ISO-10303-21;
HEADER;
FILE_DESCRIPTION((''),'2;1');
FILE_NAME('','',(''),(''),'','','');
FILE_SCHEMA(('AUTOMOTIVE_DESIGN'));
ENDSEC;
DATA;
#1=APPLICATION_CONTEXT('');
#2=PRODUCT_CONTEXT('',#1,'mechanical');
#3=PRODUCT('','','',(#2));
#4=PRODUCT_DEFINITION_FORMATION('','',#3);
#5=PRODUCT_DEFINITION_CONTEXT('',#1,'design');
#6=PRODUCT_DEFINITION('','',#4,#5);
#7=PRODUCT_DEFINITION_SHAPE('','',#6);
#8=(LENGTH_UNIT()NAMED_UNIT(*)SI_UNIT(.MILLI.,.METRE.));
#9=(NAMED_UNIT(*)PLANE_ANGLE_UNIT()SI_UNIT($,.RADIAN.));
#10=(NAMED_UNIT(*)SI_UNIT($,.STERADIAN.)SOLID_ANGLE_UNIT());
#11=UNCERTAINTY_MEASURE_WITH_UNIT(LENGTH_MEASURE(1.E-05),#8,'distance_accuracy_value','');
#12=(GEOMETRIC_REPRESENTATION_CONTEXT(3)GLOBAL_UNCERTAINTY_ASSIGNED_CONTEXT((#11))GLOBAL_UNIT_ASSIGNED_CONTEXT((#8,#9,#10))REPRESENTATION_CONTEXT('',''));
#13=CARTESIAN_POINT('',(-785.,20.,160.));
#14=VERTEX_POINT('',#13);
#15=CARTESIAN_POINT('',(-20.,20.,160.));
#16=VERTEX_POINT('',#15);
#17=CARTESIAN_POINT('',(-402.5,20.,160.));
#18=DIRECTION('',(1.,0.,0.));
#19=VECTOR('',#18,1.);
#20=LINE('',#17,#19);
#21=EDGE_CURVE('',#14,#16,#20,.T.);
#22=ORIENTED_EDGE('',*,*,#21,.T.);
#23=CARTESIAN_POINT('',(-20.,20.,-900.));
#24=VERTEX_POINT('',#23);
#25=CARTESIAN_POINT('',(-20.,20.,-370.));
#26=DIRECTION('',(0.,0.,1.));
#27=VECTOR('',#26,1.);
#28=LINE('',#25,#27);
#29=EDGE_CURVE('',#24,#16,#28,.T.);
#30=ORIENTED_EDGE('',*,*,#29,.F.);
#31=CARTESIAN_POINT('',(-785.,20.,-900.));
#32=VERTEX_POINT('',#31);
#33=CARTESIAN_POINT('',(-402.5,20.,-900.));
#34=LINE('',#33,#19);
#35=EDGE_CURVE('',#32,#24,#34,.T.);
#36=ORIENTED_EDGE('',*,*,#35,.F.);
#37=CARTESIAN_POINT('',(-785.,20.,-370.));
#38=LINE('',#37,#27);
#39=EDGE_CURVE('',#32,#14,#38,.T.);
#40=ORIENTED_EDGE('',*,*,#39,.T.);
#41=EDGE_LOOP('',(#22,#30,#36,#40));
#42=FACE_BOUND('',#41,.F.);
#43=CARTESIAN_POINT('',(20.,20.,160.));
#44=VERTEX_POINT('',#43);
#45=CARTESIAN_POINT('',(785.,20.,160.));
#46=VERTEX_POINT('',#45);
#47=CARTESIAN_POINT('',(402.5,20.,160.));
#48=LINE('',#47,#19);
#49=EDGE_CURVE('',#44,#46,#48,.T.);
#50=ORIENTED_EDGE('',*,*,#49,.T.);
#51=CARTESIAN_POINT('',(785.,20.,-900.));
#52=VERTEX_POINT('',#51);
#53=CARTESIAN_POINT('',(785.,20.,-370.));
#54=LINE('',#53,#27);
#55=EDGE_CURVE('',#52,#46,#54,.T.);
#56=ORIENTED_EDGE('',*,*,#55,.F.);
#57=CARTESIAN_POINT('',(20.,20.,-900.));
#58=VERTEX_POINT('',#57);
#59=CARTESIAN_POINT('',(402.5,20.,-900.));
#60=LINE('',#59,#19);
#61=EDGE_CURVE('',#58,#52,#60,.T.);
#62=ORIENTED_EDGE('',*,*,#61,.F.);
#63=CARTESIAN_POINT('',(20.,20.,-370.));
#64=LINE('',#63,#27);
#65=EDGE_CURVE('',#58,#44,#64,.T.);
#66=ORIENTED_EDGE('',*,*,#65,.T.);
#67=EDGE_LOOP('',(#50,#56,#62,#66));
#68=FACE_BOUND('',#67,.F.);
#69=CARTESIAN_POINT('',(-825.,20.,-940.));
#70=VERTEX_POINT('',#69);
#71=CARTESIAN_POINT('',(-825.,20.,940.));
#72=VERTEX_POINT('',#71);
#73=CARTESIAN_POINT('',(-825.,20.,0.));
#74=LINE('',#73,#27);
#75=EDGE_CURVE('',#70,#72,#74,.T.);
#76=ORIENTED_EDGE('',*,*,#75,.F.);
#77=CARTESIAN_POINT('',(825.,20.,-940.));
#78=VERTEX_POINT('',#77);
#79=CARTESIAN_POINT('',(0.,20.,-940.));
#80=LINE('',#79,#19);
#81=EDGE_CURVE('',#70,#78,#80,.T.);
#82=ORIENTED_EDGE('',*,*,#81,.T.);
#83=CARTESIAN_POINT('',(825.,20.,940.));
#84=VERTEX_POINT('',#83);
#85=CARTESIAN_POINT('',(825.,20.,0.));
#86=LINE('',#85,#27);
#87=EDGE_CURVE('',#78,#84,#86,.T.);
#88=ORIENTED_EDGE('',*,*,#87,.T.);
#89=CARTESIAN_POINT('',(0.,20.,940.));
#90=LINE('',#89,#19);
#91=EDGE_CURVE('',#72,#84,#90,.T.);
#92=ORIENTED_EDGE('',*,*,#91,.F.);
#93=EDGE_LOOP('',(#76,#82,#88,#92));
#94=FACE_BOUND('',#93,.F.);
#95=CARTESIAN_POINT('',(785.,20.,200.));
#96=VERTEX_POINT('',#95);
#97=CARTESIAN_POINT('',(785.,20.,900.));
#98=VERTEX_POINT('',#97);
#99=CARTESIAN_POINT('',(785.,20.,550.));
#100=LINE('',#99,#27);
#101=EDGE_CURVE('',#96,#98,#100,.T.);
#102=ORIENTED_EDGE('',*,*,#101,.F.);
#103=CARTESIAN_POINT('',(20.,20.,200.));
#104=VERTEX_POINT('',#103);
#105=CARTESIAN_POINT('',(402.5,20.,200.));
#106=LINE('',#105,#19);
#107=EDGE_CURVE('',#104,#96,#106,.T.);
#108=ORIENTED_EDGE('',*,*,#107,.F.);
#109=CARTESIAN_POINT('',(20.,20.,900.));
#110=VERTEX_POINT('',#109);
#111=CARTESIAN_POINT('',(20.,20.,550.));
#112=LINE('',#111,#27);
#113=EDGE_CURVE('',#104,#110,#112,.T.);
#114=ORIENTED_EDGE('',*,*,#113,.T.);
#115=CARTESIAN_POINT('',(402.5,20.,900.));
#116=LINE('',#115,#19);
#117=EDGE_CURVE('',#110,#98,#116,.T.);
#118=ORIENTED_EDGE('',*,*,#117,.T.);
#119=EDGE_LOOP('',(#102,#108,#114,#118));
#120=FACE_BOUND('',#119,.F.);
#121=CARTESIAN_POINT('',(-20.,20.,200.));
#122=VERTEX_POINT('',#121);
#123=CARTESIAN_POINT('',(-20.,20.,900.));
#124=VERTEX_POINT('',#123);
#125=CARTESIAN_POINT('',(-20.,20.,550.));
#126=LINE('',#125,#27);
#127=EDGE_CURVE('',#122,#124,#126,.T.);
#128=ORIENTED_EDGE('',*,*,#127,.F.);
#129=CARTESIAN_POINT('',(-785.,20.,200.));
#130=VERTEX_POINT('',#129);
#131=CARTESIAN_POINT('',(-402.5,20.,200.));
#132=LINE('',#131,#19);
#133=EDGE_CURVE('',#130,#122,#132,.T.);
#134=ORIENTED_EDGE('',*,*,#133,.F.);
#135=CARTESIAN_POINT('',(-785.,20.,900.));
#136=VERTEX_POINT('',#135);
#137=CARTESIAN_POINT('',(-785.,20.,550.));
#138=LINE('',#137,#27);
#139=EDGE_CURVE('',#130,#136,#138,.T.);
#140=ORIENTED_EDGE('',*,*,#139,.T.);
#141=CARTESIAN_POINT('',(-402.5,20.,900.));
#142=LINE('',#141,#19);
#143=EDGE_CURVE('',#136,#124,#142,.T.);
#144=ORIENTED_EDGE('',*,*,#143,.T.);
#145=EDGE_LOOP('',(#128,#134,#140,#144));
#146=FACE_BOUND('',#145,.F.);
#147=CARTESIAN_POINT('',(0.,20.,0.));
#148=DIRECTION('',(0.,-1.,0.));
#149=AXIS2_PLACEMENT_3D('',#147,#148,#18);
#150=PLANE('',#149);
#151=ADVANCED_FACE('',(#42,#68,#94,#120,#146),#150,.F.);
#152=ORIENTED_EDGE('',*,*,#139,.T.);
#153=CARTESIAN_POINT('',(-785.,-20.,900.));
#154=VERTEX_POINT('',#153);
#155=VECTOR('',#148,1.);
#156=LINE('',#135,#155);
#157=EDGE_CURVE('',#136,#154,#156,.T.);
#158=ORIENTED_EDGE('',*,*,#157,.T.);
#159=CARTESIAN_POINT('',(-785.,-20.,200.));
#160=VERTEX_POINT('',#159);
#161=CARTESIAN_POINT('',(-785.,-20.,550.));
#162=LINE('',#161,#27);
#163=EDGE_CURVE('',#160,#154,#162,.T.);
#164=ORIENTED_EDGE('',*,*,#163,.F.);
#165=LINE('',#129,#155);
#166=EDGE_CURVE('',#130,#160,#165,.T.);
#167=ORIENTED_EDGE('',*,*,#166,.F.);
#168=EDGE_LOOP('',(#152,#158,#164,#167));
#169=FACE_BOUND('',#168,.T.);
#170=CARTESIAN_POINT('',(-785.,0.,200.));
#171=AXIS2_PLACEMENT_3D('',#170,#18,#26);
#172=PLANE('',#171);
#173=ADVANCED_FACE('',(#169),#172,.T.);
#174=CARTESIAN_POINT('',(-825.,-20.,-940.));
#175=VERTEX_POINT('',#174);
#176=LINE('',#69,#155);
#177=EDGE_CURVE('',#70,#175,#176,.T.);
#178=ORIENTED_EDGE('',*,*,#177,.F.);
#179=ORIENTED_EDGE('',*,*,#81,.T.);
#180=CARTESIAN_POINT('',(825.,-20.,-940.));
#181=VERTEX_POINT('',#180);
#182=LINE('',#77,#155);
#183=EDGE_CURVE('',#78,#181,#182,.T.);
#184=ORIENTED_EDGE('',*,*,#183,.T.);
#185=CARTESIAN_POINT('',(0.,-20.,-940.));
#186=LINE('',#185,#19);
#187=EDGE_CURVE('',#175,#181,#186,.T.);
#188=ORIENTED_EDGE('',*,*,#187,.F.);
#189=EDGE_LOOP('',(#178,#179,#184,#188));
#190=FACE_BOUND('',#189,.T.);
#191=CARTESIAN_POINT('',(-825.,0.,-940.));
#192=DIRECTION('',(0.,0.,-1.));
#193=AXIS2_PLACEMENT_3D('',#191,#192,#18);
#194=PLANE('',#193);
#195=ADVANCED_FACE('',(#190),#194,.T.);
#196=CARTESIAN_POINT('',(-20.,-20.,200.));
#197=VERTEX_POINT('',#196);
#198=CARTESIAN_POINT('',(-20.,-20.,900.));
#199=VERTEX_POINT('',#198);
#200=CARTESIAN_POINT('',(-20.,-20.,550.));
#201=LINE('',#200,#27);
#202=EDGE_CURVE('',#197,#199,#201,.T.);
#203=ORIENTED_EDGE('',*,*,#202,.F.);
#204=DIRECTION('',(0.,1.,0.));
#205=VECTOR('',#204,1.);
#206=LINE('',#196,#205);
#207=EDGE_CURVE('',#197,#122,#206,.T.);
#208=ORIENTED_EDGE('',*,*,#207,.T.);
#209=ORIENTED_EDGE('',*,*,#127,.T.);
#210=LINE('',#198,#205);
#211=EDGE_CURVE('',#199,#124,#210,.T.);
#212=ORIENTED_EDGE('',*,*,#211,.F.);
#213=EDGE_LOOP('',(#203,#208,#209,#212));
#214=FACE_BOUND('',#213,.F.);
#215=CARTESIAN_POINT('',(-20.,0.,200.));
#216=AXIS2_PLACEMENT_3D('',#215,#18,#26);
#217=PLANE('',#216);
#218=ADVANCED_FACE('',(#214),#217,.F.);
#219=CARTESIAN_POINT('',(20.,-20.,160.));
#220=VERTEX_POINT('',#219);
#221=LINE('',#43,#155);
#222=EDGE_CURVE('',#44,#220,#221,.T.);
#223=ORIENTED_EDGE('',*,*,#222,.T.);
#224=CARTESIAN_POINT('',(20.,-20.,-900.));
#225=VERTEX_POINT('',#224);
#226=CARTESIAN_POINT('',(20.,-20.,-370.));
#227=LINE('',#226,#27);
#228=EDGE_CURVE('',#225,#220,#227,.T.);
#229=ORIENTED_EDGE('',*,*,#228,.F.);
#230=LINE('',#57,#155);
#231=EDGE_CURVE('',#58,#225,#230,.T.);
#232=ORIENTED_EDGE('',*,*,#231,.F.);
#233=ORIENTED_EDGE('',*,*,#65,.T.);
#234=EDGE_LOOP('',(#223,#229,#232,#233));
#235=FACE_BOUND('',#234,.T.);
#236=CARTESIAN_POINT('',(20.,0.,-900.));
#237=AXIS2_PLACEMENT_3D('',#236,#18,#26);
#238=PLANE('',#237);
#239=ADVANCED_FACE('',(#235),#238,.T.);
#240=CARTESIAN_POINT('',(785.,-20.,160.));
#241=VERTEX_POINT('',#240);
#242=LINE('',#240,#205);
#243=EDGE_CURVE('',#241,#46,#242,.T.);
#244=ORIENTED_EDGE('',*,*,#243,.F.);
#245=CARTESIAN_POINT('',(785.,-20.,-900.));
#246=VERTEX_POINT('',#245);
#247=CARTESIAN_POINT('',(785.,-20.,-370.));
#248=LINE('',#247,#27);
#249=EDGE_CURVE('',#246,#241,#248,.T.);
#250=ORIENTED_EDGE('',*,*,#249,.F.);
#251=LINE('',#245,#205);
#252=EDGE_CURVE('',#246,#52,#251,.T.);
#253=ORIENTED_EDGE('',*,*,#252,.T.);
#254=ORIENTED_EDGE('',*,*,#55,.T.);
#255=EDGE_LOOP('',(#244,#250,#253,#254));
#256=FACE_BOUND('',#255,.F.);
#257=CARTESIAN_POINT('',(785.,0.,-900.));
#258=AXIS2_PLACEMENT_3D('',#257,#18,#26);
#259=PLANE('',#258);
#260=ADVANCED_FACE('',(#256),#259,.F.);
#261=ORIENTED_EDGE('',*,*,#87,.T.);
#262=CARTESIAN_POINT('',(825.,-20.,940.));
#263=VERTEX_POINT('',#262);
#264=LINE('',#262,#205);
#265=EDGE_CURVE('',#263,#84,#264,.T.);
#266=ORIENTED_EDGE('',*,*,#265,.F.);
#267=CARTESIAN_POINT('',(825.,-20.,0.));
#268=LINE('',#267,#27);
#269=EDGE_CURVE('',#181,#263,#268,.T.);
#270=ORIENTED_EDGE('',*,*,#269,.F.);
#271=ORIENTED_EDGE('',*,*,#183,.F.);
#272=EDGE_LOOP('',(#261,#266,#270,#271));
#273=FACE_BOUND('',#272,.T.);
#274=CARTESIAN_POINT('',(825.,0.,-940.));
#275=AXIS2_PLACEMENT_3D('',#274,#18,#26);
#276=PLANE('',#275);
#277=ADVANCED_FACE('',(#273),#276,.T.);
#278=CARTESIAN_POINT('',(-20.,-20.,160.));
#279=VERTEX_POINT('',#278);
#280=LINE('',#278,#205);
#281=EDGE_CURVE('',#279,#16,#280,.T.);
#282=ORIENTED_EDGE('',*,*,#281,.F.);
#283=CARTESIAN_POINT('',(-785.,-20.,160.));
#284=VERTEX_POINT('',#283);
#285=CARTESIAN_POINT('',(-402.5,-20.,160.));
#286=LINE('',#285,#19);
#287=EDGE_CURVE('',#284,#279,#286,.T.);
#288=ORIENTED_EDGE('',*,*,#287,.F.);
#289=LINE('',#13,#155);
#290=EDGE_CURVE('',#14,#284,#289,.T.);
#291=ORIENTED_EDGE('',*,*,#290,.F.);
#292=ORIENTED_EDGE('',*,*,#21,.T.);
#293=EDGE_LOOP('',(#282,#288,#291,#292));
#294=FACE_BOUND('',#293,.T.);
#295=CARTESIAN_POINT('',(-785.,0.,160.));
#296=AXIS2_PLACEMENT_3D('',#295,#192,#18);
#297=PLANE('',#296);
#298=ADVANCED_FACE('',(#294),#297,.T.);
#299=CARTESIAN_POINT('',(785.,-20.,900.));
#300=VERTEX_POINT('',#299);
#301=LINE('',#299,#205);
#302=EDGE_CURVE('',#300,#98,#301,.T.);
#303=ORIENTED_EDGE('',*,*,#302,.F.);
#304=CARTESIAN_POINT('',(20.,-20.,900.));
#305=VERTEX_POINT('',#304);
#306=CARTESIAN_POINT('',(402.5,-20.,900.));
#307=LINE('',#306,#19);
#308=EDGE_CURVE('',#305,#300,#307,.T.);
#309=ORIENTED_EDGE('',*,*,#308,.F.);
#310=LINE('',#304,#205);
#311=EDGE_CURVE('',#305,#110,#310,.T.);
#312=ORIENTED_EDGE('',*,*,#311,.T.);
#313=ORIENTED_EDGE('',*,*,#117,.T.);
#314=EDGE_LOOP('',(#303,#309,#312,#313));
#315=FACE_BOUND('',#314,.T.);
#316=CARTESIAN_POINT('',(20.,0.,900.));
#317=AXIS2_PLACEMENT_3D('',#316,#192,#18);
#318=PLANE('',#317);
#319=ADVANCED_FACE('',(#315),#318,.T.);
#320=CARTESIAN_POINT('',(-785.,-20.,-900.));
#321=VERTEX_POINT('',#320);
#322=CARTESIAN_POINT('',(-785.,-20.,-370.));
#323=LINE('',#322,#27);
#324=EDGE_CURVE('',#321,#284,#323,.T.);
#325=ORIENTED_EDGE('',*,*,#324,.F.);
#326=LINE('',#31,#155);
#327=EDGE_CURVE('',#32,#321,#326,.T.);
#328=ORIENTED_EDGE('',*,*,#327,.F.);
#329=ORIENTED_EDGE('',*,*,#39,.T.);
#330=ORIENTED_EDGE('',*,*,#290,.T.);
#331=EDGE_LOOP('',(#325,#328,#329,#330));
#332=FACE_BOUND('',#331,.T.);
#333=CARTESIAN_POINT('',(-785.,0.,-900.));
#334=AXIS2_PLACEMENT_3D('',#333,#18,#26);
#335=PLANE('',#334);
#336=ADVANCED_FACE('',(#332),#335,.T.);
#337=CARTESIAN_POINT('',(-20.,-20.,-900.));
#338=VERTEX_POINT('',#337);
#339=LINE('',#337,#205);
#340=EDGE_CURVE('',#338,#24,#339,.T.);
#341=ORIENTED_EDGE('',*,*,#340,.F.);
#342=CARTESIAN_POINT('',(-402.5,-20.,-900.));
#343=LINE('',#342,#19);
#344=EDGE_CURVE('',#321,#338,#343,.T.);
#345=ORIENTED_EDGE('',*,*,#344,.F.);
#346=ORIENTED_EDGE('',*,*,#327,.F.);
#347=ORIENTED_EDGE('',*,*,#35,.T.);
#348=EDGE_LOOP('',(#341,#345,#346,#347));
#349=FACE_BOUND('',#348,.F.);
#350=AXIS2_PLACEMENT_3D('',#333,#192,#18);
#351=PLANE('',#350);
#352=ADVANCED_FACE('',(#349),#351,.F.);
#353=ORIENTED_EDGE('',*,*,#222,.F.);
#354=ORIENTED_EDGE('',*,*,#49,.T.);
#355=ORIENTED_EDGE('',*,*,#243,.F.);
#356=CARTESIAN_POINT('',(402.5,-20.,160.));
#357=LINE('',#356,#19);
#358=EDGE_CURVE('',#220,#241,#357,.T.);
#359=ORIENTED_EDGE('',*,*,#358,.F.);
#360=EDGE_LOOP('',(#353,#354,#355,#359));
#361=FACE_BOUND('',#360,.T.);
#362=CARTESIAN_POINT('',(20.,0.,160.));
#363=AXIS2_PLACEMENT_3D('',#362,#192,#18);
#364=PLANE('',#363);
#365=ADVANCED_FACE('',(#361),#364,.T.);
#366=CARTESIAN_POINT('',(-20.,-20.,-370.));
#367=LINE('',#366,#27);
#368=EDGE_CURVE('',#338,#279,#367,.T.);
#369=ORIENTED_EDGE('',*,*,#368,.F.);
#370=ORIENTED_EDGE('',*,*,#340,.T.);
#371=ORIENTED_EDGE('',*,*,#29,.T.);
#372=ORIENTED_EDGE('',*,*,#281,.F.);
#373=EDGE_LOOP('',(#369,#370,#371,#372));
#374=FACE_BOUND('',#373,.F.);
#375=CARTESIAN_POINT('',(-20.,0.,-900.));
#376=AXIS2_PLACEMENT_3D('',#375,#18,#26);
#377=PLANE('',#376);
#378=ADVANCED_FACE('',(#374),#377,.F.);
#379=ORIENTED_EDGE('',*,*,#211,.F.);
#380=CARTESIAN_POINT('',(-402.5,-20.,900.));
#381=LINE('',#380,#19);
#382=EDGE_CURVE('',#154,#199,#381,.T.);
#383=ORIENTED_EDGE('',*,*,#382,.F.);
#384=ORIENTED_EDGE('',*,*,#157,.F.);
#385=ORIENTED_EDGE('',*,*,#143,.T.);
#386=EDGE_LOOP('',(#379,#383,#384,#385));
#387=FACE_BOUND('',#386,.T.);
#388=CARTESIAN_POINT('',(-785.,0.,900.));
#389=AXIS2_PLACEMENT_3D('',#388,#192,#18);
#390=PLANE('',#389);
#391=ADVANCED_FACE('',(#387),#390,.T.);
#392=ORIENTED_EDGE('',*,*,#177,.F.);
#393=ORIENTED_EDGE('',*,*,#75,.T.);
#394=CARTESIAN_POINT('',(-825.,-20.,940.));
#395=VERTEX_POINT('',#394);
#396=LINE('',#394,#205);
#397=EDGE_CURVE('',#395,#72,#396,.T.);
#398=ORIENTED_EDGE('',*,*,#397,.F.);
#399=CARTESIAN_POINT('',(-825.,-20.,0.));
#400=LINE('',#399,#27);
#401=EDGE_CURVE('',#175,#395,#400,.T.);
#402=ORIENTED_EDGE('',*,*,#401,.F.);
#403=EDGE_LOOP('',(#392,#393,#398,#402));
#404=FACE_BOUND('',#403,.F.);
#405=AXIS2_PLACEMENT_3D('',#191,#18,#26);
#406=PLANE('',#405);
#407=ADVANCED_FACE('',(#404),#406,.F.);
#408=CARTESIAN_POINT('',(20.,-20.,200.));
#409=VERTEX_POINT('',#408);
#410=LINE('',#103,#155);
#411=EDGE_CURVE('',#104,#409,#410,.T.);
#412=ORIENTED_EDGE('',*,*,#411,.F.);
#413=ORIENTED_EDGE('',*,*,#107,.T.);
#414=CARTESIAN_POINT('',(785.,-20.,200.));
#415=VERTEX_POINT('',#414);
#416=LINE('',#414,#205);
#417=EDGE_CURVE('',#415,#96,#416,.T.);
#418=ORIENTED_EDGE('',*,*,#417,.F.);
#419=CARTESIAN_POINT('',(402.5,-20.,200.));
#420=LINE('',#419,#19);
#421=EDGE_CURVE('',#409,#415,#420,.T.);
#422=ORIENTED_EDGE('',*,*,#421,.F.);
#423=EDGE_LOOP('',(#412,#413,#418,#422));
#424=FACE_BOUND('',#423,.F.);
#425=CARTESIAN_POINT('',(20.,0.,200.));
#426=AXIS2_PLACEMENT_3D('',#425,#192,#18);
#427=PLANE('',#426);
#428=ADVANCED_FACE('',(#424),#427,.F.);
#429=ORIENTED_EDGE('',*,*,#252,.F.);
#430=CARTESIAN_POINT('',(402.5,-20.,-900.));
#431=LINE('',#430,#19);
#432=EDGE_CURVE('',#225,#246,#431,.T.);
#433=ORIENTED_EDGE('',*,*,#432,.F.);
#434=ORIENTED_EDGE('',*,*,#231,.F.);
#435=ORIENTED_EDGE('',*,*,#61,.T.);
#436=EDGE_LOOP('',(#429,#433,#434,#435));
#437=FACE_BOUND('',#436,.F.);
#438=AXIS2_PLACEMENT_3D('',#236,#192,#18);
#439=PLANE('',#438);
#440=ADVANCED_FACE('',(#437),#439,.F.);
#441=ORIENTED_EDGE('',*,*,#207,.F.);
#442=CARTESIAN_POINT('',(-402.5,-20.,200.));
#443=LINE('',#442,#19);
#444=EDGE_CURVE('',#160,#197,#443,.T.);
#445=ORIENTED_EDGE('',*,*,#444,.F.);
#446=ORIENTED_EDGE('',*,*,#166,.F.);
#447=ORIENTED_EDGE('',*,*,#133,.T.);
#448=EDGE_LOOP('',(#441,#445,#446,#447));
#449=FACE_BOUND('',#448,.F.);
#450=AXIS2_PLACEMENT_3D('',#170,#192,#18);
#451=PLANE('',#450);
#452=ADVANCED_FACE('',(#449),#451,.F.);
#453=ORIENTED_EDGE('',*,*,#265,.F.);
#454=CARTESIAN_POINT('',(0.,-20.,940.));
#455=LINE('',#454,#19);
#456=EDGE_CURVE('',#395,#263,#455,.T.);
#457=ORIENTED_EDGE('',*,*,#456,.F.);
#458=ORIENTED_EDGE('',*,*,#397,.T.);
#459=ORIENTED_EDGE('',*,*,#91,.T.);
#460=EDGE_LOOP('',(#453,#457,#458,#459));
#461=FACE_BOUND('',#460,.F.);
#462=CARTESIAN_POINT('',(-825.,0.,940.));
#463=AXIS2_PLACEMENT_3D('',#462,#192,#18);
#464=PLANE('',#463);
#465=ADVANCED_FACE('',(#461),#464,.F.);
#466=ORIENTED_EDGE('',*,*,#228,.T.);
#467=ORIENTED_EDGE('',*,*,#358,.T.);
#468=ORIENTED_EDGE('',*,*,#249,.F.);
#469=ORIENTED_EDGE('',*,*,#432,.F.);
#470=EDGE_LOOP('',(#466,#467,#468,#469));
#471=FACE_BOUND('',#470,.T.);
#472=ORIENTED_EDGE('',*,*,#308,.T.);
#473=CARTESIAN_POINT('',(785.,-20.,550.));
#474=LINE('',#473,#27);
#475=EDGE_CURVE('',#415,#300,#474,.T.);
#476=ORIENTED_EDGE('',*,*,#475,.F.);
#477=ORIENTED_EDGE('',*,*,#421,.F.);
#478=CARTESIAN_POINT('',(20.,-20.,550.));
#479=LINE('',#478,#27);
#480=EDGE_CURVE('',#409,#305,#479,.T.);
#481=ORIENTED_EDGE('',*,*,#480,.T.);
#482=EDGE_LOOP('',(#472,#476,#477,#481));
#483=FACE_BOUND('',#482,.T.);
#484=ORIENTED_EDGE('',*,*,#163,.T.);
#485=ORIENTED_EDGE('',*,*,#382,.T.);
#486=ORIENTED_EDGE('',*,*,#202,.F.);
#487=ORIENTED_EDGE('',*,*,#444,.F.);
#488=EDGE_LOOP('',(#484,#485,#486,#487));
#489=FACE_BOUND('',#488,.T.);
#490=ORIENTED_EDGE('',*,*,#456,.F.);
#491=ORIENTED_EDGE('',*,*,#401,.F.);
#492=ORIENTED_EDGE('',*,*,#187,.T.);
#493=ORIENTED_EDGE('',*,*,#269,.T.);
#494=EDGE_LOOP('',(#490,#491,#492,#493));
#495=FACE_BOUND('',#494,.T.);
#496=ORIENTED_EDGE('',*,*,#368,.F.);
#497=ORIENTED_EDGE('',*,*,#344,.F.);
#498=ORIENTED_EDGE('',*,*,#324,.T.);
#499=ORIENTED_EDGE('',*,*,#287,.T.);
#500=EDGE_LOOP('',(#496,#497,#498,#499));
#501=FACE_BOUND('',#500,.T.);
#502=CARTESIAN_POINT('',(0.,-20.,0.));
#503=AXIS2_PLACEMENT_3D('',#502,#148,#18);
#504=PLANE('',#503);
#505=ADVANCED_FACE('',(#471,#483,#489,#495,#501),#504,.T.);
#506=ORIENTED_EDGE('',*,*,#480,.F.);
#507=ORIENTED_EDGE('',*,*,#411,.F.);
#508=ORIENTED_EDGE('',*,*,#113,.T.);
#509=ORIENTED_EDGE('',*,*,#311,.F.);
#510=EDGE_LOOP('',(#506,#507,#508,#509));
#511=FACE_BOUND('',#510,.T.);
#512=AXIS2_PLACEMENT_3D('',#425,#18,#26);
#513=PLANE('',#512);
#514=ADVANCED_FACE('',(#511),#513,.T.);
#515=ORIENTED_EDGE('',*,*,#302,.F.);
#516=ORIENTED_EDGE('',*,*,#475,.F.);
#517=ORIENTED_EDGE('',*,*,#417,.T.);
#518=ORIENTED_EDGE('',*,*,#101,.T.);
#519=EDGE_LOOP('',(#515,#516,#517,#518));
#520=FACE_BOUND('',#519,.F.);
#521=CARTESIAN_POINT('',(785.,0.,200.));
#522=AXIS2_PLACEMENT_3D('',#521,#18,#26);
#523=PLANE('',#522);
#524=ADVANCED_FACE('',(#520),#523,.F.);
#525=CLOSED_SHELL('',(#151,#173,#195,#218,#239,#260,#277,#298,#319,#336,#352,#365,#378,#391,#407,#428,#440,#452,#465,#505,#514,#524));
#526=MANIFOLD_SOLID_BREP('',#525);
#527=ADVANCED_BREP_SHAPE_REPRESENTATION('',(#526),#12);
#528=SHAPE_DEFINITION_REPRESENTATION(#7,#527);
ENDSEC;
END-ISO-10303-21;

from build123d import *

# Parameters (mm, degrees)
F0_W     = 1650
F0_H     = 1880
F0_W_2   = 765
F0_H_2   = 1060
F0_H_3   = 700
F1_DEPTH = 20


with BuildPart() as f1:
    # F0 (on Front) → F1 (new body, symmetric)
    with BuildSketch(Plane.XZ):
        Rectangle(F0_W, F0_H)
        with Locations((-402.5, -370)):
            Rectangle(F0_W_2, F0_H_2, mode=Mode.SUBTRACT)
        with Locations((402.5, -370)):
            Rectangle(F0_W_2, F0_H_2, mode=Mode.SUBTRACT)
        with Locations((-402.5, 550)):
            Rectangle(F0_W_2, F0_H_3, mode=Mode.SUBTRACT)
        with Locations((402.5, 550)):
            Rectangle(F0_W_2, F0_H_3, mode=Mode.SUBTRACT)
    extrude(amount=F1_DEPTH, both=True)


solid = f1.part
